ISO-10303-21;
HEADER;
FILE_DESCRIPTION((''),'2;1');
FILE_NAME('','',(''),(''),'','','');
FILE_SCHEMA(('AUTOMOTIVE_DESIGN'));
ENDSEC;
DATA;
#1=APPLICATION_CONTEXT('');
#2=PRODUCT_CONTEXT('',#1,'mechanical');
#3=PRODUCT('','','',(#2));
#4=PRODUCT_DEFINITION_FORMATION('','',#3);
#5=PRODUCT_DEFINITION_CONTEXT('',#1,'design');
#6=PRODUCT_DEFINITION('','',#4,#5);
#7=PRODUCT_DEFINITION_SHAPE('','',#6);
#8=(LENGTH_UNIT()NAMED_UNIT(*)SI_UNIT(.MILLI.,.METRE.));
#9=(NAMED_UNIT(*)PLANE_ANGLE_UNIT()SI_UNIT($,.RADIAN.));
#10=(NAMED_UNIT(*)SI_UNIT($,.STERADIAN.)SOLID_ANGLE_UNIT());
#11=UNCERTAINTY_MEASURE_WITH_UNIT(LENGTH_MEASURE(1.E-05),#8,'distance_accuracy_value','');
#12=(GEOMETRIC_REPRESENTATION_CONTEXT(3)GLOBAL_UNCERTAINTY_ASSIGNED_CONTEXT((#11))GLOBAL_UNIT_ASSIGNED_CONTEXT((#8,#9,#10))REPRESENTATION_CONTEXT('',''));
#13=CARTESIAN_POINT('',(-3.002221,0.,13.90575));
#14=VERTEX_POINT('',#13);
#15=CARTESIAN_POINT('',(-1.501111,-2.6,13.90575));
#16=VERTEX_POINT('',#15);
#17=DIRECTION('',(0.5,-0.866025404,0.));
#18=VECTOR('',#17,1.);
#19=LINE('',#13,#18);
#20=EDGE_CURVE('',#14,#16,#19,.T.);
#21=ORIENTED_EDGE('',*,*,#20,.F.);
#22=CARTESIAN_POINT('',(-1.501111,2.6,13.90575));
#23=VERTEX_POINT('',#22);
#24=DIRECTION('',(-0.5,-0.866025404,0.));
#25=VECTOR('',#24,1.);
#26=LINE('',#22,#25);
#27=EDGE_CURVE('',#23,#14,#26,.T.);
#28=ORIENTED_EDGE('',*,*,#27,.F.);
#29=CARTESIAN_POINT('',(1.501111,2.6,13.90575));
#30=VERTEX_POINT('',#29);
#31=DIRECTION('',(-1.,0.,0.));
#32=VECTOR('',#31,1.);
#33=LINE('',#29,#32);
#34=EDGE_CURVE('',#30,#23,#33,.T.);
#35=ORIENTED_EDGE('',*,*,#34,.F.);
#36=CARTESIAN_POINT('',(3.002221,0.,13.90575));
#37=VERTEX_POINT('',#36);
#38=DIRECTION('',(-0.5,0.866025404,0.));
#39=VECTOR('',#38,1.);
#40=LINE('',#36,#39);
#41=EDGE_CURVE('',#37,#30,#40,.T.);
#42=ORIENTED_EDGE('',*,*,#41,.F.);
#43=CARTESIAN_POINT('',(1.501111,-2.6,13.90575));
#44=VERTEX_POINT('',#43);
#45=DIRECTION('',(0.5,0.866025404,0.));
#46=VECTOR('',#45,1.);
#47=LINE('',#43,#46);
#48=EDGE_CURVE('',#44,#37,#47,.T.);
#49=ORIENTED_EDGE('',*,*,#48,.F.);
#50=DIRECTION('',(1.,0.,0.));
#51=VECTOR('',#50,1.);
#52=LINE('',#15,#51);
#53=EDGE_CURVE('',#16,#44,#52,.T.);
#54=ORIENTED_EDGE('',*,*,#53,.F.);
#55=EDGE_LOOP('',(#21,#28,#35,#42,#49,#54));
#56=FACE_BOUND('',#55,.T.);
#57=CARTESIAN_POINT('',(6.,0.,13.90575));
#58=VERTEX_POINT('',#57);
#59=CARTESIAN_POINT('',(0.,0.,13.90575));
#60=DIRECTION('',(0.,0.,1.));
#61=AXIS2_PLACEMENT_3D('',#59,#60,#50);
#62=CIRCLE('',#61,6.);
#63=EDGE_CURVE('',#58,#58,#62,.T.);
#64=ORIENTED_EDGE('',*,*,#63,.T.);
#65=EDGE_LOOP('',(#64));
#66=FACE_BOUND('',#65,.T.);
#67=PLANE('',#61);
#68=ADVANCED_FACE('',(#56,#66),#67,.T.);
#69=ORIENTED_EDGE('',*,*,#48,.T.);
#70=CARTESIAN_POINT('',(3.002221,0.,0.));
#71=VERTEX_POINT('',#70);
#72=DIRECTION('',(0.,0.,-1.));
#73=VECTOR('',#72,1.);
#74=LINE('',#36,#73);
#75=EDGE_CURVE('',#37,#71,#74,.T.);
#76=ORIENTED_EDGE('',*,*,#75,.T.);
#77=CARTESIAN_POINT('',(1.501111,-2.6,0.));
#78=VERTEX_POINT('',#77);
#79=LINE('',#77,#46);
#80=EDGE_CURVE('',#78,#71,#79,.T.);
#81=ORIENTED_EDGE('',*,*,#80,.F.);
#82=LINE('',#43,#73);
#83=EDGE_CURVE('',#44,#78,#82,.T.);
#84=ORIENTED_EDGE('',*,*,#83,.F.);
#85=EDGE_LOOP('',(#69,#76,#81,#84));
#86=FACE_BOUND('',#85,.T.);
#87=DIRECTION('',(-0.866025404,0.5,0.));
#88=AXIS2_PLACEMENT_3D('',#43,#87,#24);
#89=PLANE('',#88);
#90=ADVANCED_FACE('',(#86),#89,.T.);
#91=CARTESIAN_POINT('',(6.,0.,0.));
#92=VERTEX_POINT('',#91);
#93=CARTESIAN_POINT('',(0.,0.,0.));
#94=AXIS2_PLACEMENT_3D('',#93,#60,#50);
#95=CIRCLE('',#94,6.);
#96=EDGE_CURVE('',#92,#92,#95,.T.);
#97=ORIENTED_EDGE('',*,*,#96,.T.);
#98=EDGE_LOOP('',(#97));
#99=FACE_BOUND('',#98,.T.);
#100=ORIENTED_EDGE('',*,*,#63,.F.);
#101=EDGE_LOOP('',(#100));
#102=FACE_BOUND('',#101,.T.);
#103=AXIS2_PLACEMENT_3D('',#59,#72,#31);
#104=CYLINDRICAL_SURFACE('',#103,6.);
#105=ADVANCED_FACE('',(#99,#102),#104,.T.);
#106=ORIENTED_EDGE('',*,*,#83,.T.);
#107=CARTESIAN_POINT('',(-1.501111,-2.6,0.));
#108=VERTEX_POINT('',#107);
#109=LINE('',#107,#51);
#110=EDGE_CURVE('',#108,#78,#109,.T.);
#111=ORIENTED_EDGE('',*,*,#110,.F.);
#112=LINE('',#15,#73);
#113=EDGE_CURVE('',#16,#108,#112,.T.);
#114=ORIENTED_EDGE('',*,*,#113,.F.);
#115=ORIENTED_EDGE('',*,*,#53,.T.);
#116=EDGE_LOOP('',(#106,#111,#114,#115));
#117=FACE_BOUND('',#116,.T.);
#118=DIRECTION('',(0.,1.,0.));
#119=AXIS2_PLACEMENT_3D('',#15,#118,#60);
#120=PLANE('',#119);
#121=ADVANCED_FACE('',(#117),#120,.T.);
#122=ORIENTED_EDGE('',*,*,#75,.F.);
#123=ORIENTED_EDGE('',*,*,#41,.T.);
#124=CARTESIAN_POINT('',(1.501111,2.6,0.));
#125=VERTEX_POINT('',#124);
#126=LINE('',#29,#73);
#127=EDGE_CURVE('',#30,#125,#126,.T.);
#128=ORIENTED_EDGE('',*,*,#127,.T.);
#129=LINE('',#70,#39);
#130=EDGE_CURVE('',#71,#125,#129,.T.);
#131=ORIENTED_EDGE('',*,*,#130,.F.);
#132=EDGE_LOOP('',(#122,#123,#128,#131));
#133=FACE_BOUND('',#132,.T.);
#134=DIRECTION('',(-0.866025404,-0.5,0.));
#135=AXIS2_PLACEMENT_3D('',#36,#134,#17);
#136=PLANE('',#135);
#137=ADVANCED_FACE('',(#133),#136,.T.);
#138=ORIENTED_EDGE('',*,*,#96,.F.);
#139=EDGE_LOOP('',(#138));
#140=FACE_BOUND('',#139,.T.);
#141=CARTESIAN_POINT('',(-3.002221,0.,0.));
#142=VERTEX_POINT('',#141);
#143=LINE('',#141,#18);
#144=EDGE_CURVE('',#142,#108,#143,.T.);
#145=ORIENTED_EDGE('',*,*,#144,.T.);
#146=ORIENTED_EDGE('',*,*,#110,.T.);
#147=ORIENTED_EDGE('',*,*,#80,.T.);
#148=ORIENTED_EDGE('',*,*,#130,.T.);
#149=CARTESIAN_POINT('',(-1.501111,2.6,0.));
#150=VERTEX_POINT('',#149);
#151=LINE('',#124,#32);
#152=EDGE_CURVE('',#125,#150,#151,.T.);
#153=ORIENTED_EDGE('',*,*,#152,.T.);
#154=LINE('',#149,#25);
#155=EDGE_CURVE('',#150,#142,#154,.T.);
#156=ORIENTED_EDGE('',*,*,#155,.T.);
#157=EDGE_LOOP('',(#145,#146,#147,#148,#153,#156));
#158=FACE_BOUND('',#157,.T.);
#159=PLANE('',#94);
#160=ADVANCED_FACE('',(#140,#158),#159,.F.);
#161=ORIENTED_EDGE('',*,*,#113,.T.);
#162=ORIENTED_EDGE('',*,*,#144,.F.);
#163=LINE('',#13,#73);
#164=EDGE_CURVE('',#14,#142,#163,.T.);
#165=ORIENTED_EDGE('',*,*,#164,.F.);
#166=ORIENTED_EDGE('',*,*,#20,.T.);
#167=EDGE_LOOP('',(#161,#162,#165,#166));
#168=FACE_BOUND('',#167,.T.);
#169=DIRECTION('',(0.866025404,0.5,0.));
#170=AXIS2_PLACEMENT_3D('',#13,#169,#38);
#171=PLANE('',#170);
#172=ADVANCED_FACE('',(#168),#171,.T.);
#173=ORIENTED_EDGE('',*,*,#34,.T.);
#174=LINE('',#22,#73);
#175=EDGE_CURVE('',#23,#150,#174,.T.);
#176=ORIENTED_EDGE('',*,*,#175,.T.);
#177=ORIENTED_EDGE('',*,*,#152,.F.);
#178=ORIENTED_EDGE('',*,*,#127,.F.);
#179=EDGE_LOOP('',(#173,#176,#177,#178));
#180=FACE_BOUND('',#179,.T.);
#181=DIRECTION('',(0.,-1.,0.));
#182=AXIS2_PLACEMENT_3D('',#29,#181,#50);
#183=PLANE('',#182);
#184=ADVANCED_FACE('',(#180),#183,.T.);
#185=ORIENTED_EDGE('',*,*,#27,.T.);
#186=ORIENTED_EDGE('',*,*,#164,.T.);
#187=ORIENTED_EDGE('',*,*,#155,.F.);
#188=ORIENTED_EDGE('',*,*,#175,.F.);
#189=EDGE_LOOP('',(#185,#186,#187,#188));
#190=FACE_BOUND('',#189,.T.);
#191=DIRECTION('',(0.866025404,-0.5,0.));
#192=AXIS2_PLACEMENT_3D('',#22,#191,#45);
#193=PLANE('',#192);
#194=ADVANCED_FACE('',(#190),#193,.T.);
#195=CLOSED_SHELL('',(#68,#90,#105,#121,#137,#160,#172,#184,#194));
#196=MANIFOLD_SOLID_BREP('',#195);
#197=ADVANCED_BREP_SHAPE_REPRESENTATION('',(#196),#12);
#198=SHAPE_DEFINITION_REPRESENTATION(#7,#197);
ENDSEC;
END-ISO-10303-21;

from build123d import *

# Parameters (mm, degrees)
SKETCH1_R           = 6
BOSS_EXTRUDE1_DEPTH = 13.90575


with BuildPart() as part:
    # Sketch1 → Boss-Extrude1 (new body)
    with BuildSketch(Plane.XY):
        Circle(SKETCH1_R)
        Polygon((3.0022214, 0), (1.5011107, 2.6), (-1.5011107, 2.6), (-3.0022214, 0), (-1.5011107, -2.6), (1.5011107, -2.6), align=None, mode=Mode.SUBTRACT)
    extrude(amount=BOSS_EXTRUDE1_DEPTH)


solid = part.part
